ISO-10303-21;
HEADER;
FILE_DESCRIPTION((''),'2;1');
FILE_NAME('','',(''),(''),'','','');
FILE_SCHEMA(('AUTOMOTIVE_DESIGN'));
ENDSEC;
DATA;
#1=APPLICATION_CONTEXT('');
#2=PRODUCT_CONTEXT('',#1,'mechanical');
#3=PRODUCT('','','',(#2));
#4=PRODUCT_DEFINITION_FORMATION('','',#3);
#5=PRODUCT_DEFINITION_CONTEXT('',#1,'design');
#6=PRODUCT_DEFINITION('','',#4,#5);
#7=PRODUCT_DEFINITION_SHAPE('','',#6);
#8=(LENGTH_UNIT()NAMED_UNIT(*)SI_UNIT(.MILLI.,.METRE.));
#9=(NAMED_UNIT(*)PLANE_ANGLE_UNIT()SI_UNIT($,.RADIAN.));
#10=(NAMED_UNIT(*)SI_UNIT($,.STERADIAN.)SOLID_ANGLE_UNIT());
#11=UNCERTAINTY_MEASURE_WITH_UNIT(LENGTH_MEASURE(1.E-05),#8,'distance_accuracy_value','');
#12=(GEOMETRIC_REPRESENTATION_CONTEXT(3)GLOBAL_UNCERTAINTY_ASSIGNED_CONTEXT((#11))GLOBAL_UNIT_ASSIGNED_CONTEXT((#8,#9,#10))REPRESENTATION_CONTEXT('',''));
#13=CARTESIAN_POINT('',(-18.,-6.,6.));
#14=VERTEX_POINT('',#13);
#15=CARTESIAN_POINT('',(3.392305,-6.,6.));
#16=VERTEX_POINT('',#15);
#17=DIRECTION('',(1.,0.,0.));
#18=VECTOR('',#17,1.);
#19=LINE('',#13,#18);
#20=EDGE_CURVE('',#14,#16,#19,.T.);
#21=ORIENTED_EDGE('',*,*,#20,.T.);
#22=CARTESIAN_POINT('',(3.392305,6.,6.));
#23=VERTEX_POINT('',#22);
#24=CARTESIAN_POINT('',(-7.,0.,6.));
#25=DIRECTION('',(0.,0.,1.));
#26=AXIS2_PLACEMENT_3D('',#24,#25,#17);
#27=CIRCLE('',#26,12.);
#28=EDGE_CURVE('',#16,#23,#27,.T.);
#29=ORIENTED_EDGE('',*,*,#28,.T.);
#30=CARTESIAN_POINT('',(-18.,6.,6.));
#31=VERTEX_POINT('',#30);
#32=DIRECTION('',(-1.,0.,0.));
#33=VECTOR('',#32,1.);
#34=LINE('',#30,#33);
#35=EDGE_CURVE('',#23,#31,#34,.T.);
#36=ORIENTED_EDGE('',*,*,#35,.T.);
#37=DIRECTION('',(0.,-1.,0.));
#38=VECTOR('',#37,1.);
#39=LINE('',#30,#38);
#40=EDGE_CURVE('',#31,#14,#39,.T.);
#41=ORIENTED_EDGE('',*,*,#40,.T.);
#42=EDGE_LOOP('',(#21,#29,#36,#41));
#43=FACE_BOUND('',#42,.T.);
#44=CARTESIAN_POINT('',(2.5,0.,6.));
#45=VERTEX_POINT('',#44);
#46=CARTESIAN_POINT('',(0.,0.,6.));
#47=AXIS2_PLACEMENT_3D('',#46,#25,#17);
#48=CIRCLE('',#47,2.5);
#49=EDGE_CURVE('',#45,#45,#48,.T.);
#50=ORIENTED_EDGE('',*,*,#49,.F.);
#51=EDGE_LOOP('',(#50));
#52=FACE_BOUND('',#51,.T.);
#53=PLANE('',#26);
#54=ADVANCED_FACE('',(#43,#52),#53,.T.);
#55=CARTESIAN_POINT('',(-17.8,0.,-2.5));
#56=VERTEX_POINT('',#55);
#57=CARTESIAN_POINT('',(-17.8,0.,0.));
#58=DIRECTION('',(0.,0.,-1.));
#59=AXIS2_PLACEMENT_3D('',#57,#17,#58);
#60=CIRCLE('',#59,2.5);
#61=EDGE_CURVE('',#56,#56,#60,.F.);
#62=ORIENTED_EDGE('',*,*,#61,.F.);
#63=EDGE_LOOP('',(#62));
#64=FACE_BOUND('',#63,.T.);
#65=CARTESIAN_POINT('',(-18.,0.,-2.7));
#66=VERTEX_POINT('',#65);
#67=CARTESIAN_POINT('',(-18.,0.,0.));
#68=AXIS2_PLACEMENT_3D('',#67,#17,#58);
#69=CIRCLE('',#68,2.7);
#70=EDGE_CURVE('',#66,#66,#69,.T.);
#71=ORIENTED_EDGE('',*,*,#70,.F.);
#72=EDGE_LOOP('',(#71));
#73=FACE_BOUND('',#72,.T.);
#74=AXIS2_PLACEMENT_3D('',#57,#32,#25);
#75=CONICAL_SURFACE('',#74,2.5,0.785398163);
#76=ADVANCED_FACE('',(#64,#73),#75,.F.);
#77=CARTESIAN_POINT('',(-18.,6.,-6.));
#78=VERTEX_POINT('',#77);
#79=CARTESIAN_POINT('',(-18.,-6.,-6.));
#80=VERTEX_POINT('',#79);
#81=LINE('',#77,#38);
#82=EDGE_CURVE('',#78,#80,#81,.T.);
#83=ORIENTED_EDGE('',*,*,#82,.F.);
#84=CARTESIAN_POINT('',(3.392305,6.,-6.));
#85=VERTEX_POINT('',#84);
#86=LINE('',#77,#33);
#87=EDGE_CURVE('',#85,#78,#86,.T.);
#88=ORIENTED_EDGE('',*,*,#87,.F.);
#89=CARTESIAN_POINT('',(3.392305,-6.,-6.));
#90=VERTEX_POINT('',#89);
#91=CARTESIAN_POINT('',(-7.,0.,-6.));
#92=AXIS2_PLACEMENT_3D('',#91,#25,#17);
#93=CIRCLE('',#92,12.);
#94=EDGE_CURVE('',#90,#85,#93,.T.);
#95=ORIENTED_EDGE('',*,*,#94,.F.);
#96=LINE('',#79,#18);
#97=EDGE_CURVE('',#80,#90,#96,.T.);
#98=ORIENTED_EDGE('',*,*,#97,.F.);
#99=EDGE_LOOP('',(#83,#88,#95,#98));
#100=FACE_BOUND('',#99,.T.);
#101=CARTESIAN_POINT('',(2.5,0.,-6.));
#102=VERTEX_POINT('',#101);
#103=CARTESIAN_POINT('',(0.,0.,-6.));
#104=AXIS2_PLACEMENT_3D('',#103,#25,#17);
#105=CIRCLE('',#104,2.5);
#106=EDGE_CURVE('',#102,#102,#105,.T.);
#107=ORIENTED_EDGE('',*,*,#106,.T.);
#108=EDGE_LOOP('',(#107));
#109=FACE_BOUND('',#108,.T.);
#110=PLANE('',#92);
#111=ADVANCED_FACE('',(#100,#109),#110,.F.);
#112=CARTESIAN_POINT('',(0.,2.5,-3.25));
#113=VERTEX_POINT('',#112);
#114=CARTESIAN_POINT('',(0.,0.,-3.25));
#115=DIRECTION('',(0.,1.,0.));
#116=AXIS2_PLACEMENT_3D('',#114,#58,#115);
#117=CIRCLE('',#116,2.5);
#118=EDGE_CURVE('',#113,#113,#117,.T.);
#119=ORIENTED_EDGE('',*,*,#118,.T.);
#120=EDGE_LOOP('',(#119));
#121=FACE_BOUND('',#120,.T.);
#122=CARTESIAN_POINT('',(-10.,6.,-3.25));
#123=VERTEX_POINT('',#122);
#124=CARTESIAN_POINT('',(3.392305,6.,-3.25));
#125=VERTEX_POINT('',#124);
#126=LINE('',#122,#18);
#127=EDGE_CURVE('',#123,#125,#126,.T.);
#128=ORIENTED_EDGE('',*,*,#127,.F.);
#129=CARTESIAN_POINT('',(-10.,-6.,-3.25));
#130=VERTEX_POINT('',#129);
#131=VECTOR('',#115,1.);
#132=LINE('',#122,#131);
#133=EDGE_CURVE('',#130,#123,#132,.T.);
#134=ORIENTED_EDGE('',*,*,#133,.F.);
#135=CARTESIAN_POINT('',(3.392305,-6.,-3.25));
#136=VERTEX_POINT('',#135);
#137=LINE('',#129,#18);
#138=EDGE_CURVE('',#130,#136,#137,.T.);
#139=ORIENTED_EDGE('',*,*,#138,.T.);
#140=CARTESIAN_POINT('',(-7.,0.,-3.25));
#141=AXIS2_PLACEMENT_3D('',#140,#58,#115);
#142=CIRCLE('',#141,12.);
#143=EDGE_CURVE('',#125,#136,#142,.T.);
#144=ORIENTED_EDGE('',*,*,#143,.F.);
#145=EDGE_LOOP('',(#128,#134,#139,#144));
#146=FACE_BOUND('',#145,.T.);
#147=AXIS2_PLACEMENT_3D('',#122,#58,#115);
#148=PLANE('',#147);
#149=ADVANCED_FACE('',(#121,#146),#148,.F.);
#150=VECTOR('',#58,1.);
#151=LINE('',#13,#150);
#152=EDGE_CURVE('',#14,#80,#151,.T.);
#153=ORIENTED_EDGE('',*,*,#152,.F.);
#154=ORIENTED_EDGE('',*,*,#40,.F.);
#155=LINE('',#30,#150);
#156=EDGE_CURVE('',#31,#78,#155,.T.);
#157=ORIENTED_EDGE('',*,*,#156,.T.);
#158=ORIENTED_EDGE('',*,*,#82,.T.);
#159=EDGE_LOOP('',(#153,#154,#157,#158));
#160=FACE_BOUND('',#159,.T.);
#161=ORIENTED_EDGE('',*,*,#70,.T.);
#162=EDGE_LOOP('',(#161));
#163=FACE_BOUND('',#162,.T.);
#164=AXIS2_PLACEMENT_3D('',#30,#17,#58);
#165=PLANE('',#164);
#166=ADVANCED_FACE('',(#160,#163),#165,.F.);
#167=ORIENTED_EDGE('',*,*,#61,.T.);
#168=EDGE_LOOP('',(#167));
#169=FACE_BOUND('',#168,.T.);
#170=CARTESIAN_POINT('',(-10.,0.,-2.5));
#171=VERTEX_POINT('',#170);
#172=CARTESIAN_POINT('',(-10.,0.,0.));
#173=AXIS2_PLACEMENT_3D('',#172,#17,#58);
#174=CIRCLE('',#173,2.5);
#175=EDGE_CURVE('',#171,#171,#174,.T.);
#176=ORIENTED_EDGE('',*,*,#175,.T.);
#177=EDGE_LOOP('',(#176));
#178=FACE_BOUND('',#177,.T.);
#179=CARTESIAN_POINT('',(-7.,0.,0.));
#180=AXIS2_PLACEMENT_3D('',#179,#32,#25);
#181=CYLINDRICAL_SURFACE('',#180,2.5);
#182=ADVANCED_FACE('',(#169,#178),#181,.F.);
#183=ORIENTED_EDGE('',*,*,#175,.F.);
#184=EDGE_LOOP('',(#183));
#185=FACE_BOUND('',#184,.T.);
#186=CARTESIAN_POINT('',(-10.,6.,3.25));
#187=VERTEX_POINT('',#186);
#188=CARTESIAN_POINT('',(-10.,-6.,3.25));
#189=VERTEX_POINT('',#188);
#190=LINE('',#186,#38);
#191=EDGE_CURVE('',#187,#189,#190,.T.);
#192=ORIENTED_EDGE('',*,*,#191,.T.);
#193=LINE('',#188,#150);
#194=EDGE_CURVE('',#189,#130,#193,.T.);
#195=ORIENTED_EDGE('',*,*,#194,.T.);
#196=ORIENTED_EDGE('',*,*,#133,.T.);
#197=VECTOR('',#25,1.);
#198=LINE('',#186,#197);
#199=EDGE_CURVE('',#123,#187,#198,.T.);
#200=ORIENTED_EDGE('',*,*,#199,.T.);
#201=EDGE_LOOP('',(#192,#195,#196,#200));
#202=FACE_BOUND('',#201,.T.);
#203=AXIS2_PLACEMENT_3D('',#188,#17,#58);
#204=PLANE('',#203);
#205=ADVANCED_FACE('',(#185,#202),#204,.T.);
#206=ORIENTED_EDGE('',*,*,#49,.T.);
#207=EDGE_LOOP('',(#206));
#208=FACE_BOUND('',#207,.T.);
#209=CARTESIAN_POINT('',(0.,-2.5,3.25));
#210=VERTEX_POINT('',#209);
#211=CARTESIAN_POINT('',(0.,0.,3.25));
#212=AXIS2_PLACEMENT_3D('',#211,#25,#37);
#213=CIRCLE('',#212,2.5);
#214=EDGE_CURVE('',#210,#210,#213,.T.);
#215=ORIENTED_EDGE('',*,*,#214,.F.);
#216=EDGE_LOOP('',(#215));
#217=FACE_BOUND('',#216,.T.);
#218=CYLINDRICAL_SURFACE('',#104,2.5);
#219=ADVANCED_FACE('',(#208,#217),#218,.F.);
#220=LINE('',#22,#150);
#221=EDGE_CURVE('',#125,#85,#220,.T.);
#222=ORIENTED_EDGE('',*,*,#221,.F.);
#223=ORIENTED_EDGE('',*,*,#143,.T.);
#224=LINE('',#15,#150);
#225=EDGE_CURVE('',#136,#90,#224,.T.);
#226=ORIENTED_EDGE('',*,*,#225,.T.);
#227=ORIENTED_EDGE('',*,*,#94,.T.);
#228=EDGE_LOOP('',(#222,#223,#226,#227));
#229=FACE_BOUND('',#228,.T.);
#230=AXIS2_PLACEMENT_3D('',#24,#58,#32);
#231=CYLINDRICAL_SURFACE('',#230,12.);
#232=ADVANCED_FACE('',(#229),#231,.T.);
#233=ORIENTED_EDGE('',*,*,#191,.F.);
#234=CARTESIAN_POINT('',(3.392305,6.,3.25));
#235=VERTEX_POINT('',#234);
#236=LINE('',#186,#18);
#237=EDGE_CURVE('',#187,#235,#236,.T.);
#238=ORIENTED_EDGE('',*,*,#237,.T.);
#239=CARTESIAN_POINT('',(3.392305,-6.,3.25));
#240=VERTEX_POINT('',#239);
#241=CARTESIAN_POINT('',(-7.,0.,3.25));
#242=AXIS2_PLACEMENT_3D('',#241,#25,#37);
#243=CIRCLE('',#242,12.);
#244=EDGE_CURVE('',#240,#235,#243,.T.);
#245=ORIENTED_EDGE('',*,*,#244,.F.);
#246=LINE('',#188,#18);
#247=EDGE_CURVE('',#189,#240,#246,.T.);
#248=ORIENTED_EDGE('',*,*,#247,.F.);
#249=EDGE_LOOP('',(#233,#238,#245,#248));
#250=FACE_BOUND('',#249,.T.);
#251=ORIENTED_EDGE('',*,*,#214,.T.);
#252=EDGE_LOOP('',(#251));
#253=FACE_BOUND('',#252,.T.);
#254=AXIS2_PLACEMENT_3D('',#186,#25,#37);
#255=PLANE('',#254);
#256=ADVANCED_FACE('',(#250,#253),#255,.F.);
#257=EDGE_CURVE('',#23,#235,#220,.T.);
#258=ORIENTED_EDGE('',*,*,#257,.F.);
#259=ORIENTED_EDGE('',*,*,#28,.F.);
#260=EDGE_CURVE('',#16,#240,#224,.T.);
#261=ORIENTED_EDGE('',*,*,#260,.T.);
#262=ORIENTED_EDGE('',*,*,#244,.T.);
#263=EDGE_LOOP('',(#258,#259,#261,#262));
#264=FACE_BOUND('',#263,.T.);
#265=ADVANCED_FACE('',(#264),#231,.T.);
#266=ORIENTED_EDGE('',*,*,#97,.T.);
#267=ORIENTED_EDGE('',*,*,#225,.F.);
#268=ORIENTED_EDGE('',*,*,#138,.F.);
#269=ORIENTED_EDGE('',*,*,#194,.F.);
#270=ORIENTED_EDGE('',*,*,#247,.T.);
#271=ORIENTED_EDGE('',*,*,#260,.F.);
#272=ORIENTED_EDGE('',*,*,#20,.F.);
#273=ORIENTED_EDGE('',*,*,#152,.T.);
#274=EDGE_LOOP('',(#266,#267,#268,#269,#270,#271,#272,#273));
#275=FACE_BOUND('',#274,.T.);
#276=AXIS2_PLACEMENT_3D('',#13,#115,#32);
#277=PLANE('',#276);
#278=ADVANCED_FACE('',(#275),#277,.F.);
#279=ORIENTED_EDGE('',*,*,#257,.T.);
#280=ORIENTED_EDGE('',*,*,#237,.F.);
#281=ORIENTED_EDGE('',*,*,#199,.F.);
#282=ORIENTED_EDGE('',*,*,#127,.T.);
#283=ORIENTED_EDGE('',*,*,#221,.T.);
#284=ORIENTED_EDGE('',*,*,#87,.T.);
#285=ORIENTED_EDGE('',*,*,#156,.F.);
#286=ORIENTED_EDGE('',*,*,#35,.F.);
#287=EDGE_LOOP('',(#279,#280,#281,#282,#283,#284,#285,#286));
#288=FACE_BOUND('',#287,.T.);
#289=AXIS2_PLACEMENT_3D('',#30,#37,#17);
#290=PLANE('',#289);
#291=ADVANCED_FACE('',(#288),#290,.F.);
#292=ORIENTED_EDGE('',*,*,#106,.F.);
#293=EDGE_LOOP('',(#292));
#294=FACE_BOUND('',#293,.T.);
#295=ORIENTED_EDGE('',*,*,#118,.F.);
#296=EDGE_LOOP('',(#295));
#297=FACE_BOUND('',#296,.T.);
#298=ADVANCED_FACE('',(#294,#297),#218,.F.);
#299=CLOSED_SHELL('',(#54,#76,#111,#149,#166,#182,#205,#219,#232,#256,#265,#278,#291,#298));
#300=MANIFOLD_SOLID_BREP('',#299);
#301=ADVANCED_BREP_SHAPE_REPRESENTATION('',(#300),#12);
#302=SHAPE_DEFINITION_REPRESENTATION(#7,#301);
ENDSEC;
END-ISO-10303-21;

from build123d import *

# Parameters (mm, degrees)
BASE_EXTRUDE_DEPTH      = 6
SKETCH5_W               = 6.5
SKETCH5_H               = 12
CUT_EXTRUDE3_DEPTH      = 6
CUT_EXTRUDE3_DEPTH_BACK = 10
SKETCH7_R               = 2.5
CUT_EXTRUDE4_DEPTH      = 11
CHAMFER2_SIZE           = 0.2
SKETCH6_R               = 2.5
CUT_EXTRUDE5_DEPTH      = 7
CUT_EXTRUDE5_DEPTH_BACK = 7


with BuildPart() as part:
    # Sketch2 → Base-Extrude (new body, symmetric)
    with BuildSketch(Plane.XY):
        with BuildLine():
            Line((-18, 6), (3.392304845, 6))
            ThreePointArc((3.392304845, 6), (5, 0), (3.392304845, -6))
            Line((3.392304845, -6), (-18, -6))
            Line((-18, -6), (-18, 6))
        make_face()
    extrude(amount=BASE_EXTRUDE_DEPTH, both=True)

    # Sketch5 → Cut-Extrude3 (cut, two sides)
    with BuildSketch(Plane(origin=(0, 0, 0), x_dir=(0, 0, -1), z_dir=(1, 0, 0))) as cut_extrude3_sk:
        Rectangle(SKETCH5_W, SKETCH5_H)
    extrude(amount=CUT_EXTRUDE3_DEPTH, mode=Mode.SUBTRACT)
    extrude(cut_extrude3_sk.sketch, amount=-CUT_EXTRUDE3_DEPTH_BACK, mode=Mode.SUBTRACT)

    # Sketch7 → Cut-Extrude4 (cut)
    with BuildSketch(Plane.ZY.offset(18)):
        Circle(SKETCH7_R)
    extrude(amount=-CUT_EXTRUDE4_DEPTH, mode=Mode.SUBTRACT)

    # Chamfer2
    chamfer2_edges = [part.edges().sort_by_distance(p)[0] for p in [
        (-18, 0, -2.5),
    ]]
    chamfer(chamfer2_edges, length=CHAMFER2_SIZE)

    # Sketch6 → Cut-Extrude5 (cut, two sides)
    with BuildSketch(Plane.XY) as cut_extrude5_sk:
        Circle(SKETCH6_R)
    extrude(amount=CUT_EXTRUDE5_DEPTH, mode=Mode.SUBTRACT)
    extrude(cut_extrude5_sk.sketch, amount=-CUT_EXTRUDE5_DEPTH_BACK, mode=Mode.SUBTRACT)


solid = part.part
